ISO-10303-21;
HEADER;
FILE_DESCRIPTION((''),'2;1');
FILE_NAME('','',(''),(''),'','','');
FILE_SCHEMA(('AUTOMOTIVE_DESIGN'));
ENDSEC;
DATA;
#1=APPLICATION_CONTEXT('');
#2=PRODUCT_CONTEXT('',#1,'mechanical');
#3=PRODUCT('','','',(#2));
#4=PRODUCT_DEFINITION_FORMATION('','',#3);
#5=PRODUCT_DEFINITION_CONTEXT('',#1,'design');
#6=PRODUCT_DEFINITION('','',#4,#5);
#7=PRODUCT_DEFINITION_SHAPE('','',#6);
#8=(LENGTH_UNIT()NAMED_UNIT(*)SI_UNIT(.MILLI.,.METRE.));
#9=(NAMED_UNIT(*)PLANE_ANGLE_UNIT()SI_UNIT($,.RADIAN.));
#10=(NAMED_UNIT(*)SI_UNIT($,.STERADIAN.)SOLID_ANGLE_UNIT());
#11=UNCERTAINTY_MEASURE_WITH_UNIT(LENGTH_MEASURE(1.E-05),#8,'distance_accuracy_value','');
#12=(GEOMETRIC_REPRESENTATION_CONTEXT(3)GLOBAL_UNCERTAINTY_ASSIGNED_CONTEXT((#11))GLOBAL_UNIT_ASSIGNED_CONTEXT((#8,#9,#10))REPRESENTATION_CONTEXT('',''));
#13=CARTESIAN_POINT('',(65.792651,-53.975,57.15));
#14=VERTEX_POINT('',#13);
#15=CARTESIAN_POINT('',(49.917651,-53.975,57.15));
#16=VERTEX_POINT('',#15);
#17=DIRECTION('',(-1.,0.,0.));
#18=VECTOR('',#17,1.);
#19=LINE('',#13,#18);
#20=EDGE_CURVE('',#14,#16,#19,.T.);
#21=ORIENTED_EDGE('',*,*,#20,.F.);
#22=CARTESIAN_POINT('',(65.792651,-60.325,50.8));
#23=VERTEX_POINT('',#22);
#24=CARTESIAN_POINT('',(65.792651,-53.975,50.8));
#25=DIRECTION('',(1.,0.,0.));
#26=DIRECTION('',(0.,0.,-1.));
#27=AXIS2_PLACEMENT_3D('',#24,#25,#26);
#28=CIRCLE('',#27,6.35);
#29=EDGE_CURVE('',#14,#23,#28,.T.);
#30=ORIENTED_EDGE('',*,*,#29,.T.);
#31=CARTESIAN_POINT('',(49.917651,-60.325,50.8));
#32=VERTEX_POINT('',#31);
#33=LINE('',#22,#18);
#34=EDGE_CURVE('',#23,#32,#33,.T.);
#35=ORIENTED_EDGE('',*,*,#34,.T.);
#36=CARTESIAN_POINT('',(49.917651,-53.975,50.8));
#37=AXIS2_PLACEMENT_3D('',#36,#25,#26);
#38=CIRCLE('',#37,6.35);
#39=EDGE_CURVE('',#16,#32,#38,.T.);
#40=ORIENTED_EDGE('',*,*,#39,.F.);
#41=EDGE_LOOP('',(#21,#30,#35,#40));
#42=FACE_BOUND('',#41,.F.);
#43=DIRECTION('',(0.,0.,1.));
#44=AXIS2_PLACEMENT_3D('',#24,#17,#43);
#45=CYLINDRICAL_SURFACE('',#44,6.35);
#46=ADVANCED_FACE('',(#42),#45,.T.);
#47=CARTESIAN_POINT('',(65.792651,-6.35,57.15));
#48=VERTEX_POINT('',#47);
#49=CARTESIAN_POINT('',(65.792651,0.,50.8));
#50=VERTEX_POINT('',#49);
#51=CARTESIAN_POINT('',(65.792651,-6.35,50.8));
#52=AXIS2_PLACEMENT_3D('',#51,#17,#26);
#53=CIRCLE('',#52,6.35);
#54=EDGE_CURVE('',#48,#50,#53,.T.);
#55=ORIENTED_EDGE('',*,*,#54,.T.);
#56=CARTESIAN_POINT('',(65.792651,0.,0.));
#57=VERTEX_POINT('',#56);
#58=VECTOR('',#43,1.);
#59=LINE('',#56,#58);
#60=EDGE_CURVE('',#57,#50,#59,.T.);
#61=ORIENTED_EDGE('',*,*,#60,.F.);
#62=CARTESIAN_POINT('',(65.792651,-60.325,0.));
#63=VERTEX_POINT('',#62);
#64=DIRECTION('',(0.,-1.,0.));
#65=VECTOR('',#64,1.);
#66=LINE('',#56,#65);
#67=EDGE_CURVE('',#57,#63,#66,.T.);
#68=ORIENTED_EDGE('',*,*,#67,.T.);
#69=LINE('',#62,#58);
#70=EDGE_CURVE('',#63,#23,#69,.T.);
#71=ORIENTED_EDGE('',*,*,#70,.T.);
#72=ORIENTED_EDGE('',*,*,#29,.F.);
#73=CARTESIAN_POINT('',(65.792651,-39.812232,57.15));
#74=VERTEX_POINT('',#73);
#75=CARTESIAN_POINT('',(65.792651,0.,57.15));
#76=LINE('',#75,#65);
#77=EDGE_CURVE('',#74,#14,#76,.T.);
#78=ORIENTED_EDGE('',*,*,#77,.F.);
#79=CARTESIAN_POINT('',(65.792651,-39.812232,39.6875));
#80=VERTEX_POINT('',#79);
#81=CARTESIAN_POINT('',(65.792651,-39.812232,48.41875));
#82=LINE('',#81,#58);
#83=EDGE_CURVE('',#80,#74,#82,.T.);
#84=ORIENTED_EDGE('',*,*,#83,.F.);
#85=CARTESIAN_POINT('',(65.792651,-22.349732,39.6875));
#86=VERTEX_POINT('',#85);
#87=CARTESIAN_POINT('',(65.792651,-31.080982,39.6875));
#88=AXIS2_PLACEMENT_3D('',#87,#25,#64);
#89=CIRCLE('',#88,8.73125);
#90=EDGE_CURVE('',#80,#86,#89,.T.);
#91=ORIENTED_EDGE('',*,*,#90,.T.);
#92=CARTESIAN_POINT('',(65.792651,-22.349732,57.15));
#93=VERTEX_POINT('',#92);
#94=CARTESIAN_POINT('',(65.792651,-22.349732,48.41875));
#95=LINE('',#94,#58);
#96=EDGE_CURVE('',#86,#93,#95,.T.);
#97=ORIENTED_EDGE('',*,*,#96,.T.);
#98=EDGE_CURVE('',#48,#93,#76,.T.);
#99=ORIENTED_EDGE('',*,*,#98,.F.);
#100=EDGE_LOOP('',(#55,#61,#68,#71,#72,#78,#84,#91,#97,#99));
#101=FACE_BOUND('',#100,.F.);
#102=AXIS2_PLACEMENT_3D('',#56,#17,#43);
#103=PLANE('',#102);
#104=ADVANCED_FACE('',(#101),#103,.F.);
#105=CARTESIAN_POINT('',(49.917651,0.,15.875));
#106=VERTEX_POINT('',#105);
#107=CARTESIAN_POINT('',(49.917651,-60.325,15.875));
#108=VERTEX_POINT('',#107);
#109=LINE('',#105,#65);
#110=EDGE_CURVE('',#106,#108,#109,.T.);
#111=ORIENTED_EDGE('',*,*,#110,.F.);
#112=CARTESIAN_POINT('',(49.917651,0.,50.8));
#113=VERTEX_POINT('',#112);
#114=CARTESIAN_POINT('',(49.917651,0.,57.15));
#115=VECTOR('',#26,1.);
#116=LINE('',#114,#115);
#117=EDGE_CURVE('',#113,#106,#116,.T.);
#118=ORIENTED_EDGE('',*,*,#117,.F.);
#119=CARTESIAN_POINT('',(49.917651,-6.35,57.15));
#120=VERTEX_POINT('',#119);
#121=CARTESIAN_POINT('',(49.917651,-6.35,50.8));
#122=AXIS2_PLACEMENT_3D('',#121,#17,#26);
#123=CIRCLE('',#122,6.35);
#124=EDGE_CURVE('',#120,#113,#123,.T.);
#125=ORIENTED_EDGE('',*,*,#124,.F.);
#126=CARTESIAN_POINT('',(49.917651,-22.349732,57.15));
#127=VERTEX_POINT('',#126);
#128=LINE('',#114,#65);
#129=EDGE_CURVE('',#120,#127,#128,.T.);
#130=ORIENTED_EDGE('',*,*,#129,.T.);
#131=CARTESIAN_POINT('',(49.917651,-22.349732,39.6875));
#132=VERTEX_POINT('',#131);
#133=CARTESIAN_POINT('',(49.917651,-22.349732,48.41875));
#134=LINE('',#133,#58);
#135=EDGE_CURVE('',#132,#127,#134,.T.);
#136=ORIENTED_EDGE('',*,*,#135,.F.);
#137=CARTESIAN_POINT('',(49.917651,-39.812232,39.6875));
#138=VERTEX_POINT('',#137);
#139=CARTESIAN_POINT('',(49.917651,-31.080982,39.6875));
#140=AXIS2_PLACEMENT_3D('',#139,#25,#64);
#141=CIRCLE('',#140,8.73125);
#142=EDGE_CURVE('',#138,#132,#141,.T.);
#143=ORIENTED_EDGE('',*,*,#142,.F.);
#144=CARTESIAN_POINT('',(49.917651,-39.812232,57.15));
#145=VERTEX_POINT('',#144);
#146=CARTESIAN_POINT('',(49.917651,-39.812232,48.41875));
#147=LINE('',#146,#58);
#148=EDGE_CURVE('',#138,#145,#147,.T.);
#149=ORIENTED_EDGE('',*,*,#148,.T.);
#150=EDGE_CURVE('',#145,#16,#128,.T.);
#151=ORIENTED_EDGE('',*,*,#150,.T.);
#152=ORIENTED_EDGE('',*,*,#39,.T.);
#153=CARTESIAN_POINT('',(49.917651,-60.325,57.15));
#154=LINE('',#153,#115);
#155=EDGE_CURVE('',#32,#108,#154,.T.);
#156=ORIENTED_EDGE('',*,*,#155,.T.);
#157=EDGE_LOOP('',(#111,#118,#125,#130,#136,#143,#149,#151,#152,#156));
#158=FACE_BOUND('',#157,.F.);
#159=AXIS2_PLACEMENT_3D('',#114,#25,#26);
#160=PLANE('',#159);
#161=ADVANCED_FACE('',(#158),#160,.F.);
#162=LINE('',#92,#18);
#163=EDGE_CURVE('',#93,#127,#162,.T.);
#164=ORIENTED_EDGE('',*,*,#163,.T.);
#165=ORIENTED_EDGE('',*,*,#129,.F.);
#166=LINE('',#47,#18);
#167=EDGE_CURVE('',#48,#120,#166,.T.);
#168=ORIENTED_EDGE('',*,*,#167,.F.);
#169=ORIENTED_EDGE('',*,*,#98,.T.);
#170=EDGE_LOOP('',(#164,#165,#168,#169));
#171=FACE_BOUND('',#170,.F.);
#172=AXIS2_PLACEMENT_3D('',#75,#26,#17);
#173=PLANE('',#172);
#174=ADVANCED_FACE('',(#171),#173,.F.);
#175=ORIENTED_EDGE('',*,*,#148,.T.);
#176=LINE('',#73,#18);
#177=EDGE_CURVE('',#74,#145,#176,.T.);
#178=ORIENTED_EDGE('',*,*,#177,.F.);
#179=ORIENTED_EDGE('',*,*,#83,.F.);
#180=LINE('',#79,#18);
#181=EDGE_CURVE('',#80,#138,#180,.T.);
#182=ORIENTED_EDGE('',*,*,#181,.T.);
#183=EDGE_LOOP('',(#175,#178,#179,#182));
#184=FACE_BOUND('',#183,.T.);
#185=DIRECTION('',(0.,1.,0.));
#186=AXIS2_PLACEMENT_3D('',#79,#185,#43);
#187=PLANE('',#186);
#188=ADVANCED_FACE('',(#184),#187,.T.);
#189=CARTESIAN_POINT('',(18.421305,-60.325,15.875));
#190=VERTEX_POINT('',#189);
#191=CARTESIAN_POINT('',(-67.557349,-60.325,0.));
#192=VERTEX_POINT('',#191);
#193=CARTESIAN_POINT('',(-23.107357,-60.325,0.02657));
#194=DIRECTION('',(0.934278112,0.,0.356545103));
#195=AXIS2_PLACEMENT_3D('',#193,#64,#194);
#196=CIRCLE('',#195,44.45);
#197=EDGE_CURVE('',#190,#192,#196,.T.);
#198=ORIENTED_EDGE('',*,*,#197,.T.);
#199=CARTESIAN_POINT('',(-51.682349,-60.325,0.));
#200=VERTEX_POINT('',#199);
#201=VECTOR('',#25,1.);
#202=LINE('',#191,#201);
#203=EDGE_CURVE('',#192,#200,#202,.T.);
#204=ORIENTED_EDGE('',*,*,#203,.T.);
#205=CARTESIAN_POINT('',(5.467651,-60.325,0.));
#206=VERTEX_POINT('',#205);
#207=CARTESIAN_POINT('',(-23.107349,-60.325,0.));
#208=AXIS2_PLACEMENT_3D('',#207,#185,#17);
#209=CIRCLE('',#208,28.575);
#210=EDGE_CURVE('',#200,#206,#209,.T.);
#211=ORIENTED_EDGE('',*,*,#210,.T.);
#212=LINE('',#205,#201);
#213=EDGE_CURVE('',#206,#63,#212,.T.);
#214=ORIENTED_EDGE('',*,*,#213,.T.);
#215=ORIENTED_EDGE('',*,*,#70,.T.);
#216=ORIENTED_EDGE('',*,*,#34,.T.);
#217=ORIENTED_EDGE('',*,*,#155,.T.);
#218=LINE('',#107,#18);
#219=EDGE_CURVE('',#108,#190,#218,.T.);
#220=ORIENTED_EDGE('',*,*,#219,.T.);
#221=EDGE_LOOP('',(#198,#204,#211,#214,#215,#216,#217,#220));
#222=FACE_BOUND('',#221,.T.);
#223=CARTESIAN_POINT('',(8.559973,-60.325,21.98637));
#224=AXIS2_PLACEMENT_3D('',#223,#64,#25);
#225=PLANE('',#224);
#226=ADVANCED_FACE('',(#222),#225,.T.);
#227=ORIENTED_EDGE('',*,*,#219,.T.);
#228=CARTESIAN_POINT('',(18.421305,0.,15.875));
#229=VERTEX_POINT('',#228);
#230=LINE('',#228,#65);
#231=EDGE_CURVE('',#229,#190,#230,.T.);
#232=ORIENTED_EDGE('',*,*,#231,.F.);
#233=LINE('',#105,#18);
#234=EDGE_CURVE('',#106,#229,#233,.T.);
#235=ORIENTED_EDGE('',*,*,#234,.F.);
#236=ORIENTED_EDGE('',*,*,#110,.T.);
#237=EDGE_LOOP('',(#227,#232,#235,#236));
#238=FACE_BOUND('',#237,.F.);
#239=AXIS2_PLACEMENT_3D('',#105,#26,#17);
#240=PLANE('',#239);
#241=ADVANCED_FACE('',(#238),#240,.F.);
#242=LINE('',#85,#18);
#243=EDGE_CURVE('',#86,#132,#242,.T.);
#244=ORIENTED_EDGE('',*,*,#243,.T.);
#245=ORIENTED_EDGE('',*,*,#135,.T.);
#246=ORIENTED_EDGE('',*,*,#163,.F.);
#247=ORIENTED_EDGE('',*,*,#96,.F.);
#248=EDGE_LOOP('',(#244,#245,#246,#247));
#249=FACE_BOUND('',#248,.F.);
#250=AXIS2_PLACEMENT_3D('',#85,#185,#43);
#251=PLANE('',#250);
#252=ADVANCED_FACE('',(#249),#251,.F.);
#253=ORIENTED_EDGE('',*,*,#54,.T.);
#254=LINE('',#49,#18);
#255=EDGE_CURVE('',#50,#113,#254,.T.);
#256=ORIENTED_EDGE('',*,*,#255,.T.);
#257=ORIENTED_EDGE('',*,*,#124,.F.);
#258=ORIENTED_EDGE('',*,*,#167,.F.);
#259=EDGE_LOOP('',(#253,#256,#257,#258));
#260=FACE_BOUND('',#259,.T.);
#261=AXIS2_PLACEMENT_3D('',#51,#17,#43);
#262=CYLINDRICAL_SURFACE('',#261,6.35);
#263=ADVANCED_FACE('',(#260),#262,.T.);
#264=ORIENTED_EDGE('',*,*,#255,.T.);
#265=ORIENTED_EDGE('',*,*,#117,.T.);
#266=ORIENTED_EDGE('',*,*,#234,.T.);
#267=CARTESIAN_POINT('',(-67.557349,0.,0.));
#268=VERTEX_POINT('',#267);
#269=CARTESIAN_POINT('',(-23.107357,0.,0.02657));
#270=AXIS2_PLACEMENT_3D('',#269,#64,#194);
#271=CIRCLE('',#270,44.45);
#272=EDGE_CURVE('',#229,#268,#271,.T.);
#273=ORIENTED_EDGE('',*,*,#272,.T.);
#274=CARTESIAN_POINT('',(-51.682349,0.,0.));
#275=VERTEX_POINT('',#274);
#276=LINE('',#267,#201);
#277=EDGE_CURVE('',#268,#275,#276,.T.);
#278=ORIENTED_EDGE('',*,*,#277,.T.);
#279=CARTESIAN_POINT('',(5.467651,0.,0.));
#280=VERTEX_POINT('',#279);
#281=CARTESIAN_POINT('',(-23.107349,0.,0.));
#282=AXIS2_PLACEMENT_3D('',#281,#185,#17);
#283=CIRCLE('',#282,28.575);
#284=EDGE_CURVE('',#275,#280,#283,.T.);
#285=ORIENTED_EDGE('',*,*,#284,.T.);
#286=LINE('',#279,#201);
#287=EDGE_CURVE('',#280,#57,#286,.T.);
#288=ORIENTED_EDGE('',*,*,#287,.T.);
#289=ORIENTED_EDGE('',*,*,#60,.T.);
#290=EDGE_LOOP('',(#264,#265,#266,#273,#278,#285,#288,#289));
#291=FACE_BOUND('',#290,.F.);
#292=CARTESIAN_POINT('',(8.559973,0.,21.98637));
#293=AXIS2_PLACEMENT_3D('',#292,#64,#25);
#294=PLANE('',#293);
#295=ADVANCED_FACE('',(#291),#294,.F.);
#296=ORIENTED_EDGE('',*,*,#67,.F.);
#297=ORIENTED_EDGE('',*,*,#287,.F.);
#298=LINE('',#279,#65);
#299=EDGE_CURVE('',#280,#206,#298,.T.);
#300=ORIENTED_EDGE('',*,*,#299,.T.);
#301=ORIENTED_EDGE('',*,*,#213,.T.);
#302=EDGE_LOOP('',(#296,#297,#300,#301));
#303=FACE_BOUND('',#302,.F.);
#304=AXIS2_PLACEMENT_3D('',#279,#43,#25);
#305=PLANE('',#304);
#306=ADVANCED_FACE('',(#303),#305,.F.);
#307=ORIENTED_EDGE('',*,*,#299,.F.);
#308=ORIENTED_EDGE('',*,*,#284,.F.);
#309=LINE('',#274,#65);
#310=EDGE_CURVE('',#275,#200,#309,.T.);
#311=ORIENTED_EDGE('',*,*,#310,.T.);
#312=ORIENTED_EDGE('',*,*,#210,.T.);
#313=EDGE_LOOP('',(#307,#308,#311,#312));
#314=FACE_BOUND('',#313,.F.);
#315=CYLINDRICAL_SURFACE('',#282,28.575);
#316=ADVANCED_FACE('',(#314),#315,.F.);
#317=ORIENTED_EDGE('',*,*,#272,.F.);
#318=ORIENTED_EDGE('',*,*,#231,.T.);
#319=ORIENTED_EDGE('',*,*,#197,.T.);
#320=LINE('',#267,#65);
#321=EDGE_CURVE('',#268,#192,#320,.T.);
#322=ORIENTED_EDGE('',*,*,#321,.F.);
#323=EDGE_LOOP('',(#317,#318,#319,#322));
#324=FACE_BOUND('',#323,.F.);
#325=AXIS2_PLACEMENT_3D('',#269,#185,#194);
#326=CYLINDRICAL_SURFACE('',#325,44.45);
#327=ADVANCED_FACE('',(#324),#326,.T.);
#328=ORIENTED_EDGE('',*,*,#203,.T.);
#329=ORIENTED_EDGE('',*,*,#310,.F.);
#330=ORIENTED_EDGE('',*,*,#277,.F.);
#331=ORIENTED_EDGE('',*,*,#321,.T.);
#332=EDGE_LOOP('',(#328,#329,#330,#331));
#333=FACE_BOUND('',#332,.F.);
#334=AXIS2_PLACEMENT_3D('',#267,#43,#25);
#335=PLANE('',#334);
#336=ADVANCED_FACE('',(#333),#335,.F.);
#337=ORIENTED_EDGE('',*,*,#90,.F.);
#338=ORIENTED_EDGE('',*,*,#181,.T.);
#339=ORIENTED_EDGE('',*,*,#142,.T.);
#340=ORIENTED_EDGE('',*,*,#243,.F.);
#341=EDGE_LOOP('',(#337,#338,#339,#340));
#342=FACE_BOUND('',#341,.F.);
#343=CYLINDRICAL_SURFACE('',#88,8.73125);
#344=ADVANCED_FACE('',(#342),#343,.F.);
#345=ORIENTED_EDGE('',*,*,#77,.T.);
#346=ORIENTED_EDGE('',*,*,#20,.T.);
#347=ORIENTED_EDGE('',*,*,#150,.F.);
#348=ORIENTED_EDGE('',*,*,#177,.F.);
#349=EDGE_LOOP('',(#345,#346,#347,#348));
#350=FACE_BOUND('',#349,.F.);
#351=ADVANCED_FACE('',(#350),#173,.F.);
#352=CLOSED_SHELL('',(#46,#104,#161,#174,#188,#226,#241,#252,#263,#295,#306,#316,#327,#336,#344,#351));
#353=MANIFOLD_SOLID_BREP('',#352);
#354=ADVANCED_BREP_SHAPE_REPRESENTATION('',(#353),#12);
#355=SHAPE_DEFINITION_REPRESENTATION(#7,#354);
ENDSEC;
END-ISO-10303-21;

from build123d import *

# Parameters (mm, degrees)
F1_DEPTH = 60.325
F2_R     = 6.35
F3_R     = 6.35
F4_W     = 17.4625
F4_H     = 17.4625
F5_DEPTH = 25.4


with BuildPart() as f1:
    # F0 (on Front) → F1 (new body)
    with BuildSketch(Plane.XZ):
        with BuildLine():
            ThreePointArc((18.421305, 15.875), (-31.178134, 43.737725), (-67.557349, 0))
            Line((-67.557349, 0), (-51.682349, 0))
            ThreePointArc((-51.682349, 0), (-23.107349, 28.575), (5.467651, 0))
            Line((5.467651, 0), (65.792651, 0))
            Line((65.792651, 0), (65.792651, 57.15))
            Line((65.792651, 57.15), (49.917651, 57.15))
            Line((49.917651, 57.15), (49.917651, 15.875))
            Line((49.917651, 15.875), (18.421305, 15.875))
        make_face()
    extrude(amount=F1_DEPTH)

    # F2
    f2_edges = [f1.edges().sort_by_distance(p)[0] for p in [
        (57.855151, -60.325, 57.15),
    ]]
    fillet(f2_edges, radius=F2_R)

    # F3
    f3_edges = [f1.edges().sort_by_distance(p)[0] for p in [
        (57.855151, 0, 57.15),
    ]]
    fillet(f3_edges, radius=F3_R)

    # F4 (on face) → F5 (cut)
    with BuildSketch(Plane.YZ.offset(65.792651)):
        with Locations((-31.080982, 48.41875)):
            Rectangle(F4_W, F4_H)
        with BuildLine():
            Line((-22.349732, 39.6875), (-39.812232, 39.6875))
            ThreePointArc((-39.812232, 39.6875), (-31.080982, 30.95625), (-22.349732, 39.6875))
        make_face()
    extrude(amount=-F5_DEPTH, mode=Mode.SUBTRACT)


solid = f1.part
